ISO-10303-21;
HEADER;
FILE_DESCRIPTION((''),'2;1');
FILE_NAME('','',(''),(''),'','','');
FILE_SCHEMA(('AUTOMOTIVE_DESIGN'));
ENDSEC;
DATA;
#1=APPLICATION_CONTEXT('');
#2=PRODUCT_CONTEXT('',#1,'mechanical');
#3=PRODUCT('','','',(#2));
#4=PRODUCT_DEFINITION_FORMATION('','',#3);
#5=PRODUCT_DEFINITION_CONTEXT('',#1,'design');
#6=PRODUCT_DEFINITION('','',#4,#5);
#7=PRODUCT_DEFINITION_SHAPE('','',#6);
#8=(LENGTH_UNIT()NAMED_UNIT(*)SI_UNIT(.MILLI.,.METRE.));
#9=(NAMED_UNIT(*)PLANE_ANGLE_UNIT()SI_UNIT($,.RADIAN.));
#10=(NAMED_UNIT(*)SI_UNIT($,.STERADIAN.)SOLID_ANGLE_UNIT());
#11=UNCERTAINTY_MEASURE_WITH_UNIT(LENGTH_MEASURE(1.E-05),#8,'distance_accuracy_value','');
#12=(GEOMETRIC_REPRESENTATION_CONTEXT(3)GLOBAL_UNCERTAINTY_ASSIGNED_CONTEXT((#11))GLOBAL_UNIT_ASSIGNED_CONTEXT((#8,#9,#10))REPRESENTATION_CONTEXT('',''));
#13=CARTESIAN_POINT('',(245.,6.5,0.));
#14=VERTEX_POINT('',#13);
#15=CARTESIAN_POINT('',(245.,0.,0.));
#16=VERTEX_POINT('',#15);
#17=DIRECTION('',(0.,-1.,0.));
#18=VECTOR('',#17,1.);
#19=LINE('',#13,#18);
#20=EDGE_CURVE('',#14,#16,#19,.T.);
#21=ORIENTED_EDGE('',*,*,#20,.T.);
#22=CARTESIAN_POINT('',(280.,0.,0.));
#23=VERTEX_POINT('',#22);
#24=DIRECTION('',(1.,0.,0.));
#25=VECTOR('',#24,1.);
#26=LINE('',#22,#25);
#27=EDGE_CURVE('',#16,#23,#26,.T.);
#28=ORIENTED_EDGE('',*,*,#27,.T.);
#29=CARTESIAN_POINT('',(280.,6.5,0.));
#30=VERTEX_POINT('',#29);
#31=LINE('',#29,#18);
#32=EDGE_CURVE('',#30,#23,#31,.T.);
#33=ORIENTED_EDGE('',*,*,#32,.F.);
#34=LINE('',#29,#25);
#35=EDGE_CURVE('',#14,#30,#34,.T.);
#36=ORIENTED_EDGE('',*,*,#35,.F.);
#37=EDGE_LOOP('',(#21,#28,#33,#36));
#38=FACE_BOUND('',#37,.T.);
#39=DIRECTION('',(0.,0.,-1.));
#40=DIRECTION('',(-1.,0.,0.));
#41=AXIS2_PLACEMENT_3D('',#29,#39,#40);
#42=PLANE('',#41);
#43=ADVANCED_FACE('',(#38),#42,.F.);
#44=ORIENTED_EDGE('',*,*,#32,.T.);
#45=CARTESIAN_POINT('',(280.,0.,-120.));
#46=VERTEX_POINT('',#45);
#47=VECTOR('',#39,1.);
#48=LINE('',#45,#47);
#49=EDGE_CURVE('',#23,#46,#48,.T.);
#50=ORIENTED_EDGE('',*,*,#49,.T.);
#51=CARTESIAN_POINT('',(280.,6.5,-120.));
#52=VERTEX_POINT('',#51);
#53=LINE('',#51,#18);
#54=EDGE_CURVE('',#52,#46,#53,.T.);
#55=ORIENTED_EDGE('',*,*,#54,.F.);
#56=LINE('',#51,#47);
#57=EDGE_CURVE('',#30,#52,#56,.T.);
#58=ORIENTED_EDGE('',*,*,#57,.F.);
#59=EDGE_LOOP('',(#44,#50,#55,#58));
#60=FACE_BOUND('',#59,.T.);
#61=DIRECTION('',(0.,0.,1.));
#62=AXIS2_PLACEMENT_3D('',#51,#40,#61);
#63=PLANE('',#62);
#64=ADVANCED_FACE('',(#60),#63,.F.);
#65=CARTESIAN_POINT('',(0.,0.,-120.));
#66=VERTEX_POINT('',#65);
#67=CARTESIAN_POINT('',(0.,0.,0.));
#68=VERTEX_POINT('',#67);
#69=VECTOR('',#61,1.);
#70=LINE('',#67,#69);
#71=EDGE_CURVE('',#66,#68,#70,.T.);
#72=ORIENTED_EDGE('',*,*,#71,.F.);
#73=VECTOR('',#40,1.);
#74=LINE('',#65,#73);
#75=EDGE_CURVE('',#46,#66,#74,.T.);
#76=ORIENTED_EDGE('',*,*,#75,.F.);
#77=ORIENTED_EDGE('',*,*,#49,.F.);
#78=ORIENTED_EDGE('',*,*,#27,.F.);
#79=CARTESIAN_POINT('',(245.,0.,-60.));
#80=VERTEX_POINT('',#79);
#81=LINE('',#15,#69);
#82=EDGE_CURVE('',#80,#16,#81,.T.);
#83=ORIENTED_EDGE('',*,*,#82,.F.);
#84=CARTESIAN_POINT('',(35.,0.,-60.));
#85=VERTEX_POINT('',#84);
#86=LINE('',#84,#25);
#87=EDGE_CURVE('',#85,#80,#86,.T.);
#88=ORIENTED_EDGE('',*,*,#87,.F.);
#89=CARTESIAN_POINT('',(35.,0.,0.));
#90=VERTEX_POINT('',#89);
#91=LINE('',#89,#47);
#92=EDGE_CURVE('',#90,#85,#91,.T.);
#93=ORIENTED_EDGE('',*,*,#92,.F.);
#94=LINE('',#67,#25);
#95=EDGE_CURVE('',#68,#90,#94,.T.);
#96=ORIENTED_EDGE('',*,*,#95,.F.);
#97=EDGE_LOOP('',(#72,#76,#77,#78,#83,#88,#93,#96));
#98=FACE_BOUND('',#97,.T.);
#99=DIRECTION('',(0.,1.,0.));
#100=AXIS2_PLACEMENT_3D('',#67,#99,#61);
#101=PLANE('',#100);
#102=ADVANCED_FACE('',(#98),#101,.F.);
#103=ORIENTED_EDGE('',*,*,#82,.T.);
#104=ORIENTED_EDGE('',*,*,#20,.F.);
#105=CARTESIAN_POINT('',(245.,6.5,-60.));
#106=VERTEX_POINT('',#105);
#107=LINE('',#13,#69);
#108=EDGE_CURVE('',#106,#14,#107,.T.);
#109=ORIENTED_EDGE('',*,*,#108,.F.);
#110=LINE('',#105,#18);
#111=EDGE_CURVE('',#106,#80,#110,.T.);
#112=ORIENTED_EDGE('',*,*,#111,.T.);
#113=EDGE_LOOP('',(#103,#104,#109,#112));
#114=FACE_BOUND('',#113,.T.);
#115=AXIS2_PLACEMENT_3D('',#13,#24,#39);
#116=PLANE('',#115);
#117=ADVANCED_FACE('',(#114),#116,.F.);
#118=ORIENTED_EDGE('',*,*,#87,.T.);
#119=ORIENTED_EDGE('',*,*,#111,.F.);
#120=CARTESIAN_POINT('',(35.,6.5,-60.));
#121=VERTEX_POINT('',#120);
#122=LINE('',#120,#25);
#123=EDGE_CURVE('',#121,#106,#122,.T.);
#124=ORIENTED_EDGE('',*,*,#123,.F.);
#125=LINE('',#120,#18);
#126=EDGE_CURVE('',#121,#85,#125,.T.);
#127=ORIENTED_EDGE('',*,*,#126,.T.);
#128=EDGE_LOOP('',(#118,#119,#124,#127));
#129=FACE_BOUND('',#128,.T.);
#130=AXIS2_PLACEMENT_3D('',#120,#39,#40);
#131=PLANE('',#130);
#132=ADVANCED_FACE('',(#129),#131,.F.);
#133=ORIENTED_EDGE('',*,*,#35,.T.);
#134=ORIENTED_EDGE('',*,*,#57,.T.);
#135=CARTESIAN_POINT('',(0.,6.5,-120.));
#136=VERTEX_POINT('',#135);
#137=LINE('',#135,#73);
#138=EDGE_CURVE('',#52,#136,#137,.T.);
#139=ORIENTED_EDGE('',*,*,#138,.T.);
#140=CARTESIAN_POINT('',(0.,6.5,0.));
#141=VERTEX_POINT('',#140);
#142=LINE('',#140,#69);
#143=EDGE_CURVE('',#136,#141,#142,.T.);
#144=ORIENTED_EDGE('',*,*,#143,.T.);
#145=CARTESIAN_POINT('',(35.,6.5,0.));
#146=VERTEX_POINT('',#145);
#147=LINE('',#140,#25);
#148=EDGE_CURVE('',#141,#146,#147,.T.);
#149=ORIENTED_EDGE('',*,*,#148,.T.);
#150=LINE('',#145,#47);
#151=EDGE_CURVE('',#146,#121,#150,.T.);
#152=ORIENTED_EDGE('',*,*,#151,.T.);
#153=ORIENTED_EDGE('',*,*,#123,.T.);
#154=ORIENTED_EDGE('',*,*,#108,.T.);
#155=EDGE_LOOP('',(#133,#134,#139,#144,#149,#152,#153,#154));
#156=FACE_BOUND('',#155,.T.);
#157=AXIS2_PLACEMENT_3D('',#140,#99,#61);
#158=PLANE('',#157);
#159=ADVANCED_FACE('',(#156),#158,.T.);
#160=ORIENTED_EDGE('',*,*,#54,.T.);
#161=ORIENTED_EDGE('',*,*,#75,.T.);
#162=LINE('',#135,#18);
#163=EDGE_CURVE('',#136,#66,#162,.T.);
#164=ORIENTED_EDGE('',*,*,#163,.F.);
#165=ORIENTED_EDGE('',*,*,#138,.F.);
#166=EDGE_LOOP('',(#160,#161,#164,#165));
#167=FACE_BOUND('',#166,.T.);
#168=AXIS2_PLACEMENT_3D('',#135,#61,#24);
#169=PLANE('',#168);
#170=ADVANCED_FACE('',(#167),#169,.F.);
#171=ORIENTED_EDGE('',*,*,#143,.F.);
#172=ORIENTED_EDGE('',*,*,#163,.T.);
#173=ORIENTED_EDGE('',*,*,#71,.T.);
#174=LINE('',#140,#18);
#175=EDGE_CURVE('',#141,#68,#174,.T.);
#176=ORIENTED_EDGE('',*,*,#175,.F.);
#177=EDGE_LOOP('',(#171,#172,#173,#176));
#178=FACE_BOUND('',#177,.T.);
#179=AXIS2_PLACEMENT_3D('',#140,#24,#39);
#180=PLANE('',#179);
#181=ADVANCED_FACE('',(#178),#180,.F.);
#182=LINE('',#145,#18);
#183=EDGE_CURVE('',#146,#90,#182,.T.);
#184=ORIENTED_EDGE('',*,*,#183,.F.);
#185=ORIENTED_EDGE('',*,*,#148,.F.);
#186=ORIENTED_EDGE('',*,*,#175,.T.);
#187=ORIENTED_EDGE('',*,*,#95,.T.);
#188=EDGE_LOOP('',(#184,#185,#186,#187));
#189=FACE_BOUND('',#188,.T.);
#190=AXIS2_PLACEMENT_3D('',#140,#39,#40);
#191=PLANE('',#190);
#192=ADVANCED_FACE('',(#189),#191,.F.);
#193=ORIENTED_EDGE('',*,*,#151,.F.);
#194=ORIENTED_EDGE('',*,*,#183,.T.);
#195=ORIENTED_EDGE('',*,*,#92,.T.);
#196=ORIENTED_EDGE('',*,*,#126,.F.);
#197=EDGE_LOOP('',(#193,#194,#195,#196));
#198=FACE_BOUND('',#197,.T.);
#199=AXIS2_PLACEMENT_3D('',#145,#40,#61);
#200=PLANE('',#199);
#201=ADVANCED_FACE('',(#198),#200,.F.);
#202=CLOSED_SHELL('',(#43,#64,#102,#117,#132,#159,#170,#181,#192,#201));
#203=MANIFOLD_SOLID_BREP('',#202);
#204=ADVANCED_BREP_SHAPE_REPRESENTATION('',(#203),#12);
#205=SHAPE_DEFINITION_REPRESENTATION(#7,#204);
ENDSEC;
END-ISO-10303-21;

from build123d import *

# Parameters (mm, degrees)
BOSS_EXTRUDE1_DEPTH = 6.5


with BuildPart() as part:
    # Sketch1 → Boss-Extrude1 (new body)
    with BuildSketch(Plane(origin=(0, 0, 0), x_dir=(1, 0, 0), z_dir=(0, 1, 0))):
        Polygon((0, 0), (0, 120), (280, 120), (280, 0), (245, 0), (245, 60), (35, 60), (35, 0), align=None)
    extrude(amount=BOSS_EXTRUDE1_DEPTH)


solid = part.part
